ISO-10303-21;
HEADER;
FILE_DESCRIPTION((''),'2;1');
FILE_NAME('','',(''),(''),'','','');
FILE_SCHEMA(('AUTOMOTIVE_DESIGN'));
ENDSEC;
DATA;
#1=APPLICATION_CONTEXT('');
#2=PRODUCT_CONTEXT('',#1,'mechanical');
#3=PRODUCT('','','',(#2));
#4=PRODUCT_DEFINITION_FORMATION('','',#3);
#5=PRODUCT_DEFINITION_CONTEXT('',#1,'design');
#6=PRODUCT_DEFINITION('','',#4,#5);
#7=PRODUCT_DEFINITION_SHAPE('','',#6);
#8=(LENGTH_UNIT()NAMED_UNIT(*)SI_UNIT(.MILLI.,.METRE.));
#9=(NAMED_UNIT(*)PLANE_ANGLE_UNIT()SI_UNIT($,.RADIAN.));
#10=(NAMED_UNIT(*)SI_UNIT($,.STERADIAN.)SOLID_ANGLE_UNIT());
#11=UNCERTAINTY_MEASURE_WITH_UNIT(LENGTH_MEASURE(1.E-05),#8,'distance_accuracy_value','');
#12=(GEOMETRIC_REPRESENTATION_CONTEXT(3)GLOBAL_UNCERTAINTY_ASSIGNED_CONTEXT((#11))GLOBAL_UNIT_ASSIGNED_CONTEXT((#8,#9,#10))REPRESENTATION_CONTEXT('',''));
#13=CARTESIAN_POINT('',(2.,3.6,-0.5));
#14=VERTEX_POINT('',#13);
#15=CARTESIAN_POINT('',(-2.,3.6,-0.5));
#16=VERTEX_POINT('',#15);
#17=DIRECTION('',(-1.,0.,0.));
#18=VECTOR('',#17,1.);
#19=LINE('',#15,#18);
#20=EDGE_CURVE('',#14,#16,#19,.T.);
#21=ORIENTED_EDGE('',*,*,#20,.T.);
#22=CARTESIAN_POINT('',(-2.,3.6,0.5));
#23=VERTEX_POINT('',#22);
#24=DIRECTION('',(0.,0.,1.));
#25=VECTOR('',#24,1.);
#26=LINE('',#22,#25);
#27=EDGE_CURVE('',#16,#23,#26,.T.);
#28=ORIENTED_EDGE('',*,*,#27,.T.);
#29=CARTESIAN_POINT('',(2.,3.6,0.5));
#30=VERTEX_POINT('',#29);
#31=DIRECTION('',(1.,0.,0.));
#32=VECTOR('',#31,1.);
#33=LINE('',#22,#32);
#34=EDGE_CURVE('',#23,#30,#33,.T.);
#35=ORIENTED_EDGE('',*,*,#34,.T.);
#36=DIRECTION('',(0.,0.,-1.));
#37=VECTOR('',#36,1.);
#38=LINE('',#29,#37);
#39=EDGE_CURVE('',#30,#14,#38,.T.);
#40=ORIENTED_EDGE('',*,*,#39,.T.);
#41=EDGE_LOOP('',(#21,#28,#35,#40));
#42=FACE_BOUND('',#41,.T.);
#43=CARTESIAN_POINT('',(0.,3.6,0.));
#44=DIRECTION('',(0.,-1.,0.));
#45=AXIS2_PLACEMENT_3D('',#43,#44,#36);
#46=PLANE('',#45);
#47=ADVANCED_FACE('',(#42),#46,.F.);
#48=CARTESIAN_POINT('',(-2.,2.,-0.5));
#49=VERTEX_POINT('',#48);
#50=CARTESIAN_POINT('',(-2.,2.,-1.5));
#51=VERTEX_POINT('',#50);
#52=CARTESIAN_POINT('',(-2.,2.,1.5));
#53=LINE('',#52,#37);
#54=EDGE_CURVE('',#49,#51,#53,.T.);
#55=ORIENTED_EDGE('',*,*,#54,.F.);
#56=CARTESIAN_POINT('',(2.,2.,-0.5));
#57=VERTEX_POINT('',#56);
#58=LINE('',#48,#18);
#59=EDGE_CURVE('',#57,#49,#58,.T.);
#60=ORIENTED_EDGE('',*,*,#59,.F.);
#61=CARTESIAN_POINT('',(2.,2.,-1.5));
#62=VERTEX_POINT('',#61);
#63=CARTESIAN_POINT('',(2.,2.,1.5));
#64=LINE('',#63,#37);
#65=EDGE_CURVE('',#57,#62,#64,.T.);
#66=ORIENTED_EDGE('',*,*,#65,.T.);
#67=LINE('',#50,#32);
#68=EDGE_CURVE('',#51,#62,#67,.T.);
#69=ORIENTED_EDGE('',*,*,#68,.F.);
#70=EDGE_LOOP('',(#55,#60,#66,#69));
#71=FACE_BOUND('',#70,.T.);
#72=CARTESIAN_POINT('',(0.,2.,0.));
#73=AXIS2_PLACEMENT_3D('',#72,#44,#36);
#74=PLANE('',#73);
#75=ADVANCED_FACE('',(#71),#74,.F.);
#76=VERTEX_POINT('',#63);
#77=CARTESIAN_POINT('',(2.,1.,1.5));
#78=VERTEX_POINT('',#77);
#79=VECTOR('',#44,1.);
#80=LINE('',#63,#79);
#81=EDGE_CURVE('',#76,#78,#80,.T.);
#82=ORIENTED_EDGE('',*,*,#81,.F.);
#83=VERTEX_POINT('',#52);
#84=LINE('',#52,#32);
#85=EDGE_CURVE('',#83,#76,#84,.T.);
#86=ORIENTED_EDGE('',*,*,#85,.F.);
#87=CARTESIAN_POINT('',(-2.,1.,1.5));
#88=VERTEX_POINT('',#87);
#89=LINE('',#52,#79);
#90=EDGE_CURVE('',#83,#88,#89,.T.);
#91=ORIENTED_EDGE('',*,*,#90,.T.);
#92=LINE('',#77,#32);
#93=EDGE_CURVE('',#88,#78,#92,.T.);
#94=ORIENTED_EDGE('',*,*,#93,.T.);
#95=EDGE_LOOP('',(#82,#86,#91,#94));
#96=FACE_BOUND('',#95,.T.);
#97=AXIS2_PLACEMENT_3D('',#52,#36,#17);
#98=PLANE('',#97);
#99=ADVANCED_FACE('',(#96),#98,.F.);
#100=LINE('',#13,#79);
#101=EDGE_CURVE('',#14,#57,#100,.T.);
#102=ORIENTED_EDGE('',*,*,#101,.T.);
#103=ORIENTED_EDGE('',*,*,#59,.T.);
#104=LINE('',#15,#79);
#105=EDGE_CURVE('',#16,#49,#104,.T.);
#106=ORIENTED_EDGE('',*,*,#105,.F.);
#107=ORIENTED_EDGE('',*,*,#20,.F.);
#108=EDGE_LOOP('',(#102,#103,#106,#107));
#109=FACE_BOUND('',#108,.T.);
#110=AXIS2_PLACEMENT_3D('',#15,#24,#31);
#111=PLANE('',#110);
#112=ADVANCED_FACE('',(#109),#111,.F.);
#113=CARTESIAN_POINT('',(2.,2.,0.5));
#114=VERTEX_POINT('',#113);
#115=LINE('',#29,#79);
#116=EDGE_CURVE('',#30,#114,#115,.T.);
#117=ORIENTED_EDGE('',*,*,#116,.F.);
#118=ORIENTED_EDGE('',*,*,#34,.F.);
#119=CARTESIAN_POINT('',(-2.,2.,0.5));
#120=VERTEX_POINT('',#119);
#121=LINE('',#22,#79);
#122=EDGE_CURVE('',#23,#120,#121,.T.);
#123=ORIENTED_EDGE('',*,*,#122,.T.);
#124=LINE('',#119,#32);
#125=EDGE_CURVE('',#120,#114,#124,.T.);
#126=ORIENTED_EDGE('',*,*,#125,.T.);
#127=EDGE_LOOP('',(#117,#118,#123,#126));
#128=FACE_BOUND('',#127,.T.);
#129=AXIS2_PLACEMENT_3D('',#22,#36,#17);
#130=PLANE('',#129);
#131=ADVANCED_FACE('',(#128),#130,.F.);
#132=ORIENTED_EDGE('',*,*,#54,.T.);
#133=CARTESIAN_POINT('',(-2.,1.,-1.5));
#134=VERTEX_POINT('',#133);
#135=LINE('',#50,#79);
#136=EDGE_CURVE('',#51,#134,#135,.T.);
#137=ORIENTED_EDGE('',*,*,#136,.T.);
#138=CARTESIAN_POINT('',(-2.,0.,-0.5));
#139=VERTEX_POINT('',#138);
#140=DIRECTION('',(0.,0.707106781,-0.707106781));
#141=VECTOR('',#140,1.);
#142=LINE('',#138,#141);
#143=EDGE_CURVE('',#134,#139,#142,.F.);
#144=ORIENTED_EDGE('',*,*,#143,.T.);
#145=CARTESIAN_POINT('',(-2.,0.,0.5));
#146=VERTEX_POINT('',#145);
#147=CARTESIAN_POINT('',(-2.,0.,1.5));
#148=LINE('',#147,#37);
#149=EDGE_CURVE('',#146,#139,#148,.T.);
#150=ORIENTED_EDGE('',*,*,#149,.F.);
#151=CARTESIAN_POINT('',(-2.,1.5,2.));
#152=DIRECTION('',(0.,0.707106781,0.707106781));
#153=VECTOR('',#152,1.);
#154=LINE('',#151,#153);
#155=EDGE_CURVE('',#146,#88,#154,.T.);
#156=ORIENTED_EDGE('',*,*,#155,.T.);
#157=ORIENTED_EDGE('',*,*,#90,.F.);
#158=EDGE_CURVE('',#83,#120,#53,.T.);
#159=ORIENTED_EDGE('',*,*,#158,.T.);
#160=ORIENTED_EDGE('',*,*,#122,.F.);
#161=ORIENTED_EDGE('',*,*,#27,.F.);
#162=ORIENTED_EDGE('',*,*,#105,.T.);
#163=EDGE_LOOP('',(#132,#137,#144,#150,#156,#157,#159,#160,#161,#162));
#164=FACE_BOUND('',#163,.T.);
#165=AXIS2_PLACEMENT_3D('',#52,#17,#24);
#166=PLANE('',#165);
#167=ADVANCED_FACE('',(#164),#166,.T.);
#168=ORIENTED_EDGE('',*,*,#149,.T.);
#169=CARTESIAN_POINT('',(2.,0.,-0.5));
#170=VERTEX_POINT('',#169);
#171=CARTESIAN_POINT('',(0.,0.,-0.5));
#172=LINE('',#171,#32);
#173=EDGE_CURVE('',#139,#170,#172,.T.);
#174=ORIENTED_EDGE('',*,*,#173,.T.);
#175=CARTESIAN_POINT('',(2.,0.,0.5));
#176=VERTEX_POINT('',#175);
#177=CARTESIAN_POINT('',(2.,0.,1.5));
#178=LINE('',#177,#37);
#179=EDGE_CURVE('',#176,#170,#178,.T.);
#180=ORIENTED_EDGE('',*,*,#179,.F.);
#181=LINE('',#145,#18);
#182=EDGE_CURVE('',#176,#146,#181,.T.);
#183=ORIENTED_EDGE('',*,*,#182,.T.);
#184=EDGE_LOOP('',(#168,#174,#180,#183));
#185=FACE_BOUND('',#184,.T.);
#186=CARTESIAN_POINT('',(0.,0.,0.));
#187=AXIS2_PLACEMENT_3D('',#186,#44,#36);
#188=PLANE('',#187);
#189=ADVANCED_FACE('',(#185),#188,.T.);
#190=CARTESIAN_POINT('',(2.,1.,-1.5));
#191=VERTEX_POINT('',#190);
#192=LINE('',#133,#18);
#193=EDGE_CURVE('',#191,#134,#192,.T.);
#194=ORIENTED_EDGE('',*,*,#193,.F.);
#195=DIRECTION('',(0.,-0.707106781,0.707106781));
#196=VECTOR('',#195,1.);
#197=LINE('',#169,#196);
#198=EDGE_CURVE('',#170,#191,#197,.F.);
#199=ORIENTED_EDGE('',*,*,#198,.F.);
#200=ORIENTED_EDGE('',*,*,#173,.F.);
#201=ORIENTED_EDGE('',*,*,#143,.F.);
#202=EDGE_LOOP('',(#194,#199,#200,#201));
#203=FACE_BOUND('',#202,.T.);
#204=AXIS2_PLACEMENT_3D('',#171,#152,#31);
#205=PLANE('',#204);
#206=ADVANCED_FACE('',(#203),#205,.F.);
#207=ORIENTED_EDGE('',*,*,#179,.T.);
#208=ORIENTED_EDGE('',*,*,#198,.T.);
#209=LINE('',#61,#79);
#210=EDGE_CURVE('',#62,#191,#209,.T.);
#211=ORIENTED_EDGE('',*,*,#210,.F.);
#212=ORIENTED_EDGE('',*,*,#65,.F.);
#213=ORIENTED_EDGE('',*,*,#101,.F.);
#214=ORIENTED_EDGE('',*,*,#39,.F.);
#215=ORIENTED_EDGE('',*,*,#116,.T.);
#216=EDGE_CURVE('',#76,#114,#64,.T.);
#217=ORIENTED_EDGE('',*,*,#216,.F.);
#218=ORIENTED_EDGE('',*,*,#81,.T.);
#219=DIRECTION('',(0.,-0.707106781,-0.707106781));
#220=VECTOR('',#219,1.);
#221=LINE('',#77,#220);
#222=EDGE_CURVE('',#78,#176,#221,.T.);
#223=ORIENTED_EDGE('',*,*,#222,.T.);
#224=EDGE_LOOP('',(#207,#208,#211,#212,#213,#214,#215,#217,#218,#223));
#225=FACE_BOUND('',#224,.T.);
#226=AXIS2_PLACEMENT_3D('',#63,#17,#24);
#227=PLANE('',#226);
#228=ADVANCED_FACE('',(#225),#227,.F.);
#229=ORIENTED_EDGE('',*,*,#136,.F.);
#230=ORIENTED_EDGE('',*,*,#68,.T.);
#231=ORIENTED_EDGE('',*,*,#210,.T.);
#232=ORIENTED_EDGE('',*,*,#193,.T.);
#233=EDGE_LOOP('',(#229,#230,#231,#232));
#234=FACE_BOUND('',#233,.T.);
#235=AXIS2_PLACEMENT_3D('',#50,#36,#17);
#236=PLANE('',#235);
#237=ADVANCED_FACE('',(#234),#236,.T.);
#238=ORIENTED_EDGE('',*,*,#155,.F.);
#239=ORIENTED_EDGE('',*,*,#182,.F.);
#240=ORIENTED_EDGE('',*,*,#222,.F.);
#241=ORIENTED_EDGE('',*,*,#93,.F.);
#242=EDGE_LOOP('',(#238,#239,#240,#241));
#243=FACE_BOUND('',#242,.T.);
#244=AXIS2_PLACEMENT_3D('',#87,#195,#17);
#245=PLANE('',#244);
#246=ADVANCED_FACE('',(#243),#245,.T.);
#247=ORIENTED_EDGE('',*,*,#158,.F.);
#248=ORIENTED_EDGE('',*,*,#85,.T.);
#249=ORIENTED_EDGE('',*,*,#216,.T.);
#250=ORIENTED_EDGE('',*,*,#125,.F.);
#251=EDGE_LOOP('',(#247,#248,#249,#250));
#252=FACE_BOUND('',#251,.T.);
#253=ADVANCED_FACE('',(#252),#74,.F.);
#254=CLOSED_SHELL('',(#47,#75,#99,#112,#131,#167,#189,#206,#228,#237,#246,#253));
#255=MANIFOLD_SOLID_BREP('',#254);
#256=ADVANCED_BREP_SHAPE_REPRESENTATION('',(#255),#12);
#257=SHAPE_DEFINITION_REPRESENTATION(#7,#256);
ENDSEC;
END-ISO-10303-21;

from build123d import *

# Parameters (mm, degrees)
SZKIC1_W                    = 4
SZKIC1_H                    = 3
DODANIE_WYCI_GNI_CIE1_DEPTH = 2
SZKIC3_W                    = 4
SZKIC3_H                    = 1
DODANIE_WYCI_GNI_CIE2_DEPTH = 1.6
SFAZOWANIE1_SIZE            = 1
SFAZOWANIE2_SIZE            = 1


with BuildPart() as part:
    # Szkic1 → Dodanie-wyciągnięcie1 (new body)
    with BuildSketch(Plane(origin=(0, 0, 0), x_dir=(1, 0, 0), z_dir=(0, 1, 0))):
        Rectangle(SZKIC1_W, SZKIC1_H)
    extrude(amount=DODANIE_WYCI_GNI_CIE1_DEPTH)

    # Szkic3 → Dodanie-wyciągnięcie2 (add)
    with BuildSketch(Plane(origin=(0, 2, 0), x_dir=(1, 0, 0), z_dir=(0, 1, 0))):
        Rectangle(SZKIC3_W, SZKIC3_H)
    extrude(amount=DODANIE_WYCI_GNI_CIE2_DEPTH)

    # Sfazowanie1
    sfazowanie1_edges = [part.edges().sort_by_distance(p)[0] for p in [
        (0, 0, 1.5),
    ]]
    chamfer(sfazowanie1_edges, length=SFAZOWANIE1_SIZE)

    # Sfazowanie2
    sfazowanie2_edges = [part.edges().sort_by_distance(p)[0] for p in [
        (0, 0, -1.5),
    ]]
    chamfer(sfazowanie2_edges, length=SFAZOWANIE2_SIZE)


solid = part.part
